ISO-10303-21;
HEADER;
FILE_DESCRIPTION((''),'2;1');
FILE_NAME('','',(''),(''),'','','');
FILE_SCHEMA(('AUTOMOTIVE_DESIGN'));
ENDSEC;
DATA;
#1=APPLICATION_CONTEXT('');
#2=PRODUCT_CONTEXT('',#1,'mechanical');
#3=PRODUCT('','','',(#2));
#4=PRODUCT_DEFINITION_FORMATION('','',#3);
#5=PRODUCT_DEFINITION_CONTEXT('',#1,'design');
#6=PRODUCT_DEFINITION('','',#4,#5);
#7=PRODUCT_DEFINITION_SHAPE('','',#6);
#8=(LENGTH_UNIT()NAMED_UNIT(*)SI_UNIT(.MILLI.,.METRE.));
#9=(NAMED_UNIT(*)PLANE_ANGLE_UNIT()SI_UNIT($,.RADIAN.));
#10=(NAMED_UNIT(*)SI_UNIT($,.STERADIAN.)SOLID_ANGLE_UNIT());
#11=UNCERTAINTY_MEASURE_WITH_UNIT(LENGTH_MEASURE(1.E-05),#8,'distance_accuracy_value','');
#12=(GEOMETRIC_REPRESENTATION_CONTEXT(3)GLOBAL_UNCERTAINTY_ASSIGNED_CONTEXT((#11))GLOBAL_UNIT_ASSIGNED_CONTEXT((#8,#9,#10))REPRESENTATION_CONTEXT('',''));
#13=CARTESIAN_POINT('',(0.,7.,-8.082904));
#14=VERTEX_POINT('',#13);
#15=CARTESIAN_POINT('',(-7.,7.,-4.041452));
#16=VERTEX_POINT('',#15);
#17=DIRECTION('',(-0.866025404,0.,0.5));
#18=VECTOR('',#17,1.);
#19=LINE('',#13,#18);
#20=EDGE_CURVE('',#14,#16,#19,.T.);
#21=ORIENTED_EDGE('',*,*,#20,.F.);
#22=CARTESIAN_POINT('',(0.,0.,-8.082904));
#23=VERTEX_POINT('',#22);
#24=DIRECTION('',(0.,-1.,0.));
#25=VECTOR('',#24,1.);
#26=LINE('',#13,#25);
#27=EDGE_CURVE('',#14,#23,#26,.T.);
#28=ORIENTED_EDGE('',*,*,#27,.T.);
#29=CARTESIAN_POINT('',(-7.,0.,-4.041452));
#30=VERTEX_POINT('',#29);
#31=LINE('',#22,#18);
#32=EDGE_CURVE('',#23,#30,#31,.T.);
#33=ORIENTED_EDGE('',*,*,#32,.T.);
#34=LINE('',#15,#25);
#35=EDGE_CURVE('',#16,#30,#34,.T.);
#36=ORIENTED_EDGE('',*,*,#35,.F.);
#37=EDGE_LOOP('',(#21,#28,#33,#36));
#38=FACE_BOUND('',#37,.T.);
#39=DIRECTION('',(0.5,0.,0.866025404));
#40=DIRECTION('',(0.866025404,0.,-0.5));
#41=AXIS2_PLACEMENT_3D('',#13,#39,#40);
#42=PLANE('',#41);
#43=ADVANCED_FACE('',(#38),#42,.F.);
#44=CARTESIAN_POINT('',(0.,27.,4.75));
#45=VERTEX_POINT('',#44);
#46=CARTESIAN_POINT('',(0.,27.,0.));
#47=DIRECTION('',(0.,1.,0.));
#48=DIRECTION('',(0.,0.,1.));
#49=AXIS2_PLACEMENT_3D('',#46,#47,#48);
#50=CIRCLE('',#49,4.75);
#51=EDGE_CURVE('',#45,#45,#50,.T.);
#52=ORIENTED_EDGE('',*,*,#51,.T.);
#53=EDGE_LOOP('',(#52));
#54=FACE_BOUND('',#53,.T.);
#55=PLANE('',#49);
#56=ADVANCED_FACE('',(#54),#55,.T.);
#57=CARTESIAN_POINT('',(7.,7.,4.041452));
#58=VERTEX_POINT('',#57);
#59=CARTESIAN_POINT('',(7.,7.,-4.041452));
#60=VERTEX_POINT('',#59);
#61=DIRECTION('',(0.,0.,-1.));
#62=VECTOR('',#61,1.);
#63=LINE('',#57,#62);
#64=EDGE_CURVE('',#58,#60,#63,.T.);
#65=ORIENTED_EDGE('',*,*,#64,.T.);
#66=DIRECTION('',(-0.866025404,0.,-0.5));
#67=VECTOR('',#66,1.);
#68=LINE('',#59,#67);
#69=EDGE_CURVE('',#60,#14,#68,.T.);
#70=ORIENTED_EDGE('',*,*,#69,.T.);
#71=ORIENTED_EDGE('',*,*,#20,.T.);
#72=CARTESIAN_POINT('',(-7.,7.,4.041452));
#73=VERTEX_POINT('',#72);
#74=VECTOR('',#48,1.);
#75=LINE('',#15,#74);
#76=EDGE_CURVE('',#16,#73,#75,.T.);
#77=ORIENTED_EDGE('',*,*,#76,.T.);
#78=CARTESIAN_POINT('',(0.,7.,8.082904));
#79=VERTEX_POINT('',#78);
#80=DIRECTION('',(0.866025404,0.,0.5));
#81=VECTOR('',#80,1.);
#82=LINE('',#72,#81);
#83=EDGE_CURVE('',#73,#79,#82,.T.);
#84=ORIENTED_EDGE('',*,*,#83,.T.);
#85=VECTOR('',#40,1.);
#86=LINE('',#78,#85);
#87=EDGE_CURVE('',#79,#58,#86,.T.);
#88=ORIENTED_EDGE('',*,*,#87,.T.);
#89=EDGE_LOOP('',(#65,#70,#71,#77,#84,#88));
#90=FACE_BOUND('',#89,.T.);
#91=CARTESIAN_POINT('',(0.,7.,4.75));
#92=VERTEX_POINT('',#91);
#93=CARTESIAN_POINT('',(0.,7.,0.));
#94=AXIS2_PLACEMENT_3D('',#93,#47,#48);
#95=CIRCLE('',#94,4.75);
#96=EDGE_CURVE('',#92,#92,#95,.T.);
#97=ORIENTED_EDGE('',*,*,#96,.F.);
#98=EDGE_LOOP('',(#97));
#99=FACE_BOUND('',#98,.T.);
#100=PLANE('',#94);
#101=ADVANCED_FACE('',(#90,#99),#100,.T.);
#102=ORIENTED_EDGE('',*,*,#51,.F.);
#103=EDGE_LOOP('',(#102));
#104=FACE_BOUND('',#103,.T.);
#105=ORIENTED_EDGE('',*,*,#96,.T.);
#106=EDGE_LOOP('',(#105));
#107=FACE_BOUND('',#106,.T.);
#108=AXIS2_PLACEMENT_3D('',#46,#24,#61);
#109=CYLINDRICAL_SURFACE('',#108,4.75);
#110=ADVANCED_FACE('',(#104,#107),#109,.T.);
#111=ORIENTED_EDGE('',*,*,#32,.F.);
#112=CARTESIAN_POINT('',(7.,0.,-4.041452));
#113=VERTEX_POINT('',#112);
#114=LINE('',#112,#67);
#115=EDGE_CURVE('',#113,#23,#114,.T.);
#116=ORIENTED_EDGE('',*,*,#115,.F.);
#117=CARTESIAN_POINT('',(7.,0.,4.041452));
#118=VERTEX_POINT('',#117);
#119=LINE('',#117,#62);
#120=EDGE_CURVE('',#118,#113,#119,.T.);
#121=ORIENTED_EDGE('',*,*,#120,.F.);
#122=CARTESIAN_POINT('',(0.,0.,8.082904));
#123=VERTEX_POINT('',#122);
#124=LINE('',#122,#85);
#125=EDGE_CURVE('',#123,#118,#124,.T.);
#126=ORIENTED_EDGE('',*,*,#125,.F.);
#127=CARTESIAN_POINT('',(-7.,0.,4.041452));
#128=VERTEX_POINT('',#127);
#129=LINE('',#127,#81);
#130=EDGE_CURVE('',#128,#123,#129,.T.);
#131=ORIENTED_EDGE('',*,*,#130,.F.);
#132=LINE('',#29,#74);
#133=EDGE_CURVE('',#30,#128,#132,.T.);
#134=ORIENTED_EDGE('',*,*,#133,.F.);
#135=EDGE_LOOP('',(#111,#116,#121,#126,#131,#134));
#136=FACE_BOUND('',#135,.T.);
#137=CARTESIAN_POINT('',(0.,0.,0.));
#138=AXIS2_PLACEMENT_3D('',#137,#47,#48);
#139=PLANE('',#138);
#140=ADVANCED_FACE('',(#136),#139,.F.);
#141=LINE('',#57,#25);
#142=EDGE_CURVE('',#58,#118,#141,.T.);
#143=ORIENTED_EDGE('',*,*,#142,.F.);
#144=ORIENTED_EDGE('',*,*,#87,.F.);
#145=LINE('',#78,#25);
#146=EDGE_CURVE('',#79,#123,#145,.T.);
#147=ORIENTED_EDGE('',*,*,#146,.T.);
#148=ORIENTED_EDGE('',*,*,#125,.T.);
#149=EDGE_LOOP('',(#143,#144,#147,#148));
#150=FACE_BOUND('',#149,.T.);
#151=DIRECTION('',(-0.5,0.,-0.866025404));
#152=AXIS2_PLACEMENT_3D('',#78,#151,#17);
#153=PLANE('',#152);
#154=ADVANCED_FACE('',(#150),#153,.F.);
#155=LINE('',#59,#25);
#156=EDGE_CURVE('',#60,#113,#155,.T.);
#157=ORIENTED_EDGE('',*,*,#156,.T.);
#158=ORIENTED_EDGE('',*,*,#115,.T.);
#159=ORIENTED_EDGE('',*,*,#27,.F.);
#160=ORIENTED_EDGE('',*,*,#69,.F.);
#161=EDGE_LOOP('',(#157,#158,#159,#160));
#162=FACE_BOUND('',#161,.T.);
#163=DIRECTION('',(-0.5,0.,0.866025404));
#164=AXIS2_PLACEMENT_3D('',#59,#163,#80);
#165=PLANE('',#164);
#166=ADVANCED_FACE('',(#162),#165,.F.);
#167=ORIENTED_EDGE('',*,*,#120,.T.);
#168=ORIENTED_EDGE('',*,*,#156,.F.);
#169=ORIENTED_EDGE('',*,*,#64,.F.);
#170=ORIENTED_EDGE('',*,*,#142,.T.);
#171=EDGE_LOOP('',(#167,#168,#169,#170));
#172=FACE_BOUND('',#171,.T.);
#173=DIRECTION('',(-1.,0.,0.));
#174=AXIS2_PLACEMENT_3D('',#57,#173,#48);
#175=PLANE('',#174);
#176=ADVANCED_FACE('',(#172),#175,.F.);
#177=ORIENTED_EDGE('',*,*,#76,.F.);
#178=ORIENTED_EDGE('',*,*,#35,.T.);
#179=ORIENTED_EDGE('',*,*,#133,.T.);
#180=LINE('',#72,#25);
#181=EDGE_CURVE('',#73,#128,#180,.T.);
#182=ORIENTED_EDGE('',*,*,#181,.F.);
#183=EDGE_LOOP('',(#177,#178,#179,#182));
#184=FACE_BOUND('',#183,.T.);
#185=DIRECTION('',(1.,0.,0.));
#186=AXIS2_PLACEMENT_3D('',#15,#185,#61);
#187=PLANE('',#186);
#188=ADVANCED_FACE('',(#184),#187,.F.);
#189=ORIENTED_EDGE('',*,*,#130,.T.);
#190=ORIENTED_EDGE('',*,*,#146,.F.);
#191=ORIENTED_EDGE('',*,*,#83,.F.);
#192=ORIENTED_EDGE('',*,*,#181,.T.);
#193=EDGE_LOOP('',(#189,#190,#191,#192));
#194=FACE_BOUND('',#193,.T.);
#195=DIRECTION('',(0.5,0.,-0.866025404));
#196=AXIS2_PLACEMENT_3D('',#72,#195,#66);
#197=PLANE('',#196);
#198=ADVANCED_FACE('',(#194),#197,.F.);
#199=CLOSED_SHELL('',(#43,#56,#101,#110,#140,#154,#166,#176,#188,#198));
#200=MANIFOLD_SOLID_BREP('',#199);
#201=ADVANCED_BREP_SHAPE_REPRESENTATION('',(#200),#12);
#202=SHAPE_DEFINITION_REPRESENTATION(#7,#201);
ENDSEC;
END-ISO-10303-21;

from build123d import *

# Parameters (mm, degrees)
BOSS_EXTRUDE1_DEPTH = 7
SKETCH2_R           = 4.75
BOSS_EXTRUDE2_DEPTH = 20


with BuildPart() as part:
    # Sketch1 → Boss-Extrude1 (new body)
    with BuildSketch(Plane(origin=(0, 0, 0), x_dir=(1, 0, 0), z_dir=(0, 1, 0))):
        Polygon((0, 8.082903769), (-7, 4.041451884), (-7, -4.041451884), (0, -8.082903769), (7, -4.041451884), (7, 4.041451884), align=None)
    extrude(amount=BOSS_EXTRUDE1_DEPTH)

    # Sketch2 → Boss-Extrude2 (add)
    with BuildSketch(Plane(origin=(0, 7, 0), x_dir=(1, 0, 0), z_dir=(0, 1, 0))):
        Circle(SKETCH2_R)
    extrude(amount=BOSS_EXTRUDE2_DEPTH)


solid = part.part
